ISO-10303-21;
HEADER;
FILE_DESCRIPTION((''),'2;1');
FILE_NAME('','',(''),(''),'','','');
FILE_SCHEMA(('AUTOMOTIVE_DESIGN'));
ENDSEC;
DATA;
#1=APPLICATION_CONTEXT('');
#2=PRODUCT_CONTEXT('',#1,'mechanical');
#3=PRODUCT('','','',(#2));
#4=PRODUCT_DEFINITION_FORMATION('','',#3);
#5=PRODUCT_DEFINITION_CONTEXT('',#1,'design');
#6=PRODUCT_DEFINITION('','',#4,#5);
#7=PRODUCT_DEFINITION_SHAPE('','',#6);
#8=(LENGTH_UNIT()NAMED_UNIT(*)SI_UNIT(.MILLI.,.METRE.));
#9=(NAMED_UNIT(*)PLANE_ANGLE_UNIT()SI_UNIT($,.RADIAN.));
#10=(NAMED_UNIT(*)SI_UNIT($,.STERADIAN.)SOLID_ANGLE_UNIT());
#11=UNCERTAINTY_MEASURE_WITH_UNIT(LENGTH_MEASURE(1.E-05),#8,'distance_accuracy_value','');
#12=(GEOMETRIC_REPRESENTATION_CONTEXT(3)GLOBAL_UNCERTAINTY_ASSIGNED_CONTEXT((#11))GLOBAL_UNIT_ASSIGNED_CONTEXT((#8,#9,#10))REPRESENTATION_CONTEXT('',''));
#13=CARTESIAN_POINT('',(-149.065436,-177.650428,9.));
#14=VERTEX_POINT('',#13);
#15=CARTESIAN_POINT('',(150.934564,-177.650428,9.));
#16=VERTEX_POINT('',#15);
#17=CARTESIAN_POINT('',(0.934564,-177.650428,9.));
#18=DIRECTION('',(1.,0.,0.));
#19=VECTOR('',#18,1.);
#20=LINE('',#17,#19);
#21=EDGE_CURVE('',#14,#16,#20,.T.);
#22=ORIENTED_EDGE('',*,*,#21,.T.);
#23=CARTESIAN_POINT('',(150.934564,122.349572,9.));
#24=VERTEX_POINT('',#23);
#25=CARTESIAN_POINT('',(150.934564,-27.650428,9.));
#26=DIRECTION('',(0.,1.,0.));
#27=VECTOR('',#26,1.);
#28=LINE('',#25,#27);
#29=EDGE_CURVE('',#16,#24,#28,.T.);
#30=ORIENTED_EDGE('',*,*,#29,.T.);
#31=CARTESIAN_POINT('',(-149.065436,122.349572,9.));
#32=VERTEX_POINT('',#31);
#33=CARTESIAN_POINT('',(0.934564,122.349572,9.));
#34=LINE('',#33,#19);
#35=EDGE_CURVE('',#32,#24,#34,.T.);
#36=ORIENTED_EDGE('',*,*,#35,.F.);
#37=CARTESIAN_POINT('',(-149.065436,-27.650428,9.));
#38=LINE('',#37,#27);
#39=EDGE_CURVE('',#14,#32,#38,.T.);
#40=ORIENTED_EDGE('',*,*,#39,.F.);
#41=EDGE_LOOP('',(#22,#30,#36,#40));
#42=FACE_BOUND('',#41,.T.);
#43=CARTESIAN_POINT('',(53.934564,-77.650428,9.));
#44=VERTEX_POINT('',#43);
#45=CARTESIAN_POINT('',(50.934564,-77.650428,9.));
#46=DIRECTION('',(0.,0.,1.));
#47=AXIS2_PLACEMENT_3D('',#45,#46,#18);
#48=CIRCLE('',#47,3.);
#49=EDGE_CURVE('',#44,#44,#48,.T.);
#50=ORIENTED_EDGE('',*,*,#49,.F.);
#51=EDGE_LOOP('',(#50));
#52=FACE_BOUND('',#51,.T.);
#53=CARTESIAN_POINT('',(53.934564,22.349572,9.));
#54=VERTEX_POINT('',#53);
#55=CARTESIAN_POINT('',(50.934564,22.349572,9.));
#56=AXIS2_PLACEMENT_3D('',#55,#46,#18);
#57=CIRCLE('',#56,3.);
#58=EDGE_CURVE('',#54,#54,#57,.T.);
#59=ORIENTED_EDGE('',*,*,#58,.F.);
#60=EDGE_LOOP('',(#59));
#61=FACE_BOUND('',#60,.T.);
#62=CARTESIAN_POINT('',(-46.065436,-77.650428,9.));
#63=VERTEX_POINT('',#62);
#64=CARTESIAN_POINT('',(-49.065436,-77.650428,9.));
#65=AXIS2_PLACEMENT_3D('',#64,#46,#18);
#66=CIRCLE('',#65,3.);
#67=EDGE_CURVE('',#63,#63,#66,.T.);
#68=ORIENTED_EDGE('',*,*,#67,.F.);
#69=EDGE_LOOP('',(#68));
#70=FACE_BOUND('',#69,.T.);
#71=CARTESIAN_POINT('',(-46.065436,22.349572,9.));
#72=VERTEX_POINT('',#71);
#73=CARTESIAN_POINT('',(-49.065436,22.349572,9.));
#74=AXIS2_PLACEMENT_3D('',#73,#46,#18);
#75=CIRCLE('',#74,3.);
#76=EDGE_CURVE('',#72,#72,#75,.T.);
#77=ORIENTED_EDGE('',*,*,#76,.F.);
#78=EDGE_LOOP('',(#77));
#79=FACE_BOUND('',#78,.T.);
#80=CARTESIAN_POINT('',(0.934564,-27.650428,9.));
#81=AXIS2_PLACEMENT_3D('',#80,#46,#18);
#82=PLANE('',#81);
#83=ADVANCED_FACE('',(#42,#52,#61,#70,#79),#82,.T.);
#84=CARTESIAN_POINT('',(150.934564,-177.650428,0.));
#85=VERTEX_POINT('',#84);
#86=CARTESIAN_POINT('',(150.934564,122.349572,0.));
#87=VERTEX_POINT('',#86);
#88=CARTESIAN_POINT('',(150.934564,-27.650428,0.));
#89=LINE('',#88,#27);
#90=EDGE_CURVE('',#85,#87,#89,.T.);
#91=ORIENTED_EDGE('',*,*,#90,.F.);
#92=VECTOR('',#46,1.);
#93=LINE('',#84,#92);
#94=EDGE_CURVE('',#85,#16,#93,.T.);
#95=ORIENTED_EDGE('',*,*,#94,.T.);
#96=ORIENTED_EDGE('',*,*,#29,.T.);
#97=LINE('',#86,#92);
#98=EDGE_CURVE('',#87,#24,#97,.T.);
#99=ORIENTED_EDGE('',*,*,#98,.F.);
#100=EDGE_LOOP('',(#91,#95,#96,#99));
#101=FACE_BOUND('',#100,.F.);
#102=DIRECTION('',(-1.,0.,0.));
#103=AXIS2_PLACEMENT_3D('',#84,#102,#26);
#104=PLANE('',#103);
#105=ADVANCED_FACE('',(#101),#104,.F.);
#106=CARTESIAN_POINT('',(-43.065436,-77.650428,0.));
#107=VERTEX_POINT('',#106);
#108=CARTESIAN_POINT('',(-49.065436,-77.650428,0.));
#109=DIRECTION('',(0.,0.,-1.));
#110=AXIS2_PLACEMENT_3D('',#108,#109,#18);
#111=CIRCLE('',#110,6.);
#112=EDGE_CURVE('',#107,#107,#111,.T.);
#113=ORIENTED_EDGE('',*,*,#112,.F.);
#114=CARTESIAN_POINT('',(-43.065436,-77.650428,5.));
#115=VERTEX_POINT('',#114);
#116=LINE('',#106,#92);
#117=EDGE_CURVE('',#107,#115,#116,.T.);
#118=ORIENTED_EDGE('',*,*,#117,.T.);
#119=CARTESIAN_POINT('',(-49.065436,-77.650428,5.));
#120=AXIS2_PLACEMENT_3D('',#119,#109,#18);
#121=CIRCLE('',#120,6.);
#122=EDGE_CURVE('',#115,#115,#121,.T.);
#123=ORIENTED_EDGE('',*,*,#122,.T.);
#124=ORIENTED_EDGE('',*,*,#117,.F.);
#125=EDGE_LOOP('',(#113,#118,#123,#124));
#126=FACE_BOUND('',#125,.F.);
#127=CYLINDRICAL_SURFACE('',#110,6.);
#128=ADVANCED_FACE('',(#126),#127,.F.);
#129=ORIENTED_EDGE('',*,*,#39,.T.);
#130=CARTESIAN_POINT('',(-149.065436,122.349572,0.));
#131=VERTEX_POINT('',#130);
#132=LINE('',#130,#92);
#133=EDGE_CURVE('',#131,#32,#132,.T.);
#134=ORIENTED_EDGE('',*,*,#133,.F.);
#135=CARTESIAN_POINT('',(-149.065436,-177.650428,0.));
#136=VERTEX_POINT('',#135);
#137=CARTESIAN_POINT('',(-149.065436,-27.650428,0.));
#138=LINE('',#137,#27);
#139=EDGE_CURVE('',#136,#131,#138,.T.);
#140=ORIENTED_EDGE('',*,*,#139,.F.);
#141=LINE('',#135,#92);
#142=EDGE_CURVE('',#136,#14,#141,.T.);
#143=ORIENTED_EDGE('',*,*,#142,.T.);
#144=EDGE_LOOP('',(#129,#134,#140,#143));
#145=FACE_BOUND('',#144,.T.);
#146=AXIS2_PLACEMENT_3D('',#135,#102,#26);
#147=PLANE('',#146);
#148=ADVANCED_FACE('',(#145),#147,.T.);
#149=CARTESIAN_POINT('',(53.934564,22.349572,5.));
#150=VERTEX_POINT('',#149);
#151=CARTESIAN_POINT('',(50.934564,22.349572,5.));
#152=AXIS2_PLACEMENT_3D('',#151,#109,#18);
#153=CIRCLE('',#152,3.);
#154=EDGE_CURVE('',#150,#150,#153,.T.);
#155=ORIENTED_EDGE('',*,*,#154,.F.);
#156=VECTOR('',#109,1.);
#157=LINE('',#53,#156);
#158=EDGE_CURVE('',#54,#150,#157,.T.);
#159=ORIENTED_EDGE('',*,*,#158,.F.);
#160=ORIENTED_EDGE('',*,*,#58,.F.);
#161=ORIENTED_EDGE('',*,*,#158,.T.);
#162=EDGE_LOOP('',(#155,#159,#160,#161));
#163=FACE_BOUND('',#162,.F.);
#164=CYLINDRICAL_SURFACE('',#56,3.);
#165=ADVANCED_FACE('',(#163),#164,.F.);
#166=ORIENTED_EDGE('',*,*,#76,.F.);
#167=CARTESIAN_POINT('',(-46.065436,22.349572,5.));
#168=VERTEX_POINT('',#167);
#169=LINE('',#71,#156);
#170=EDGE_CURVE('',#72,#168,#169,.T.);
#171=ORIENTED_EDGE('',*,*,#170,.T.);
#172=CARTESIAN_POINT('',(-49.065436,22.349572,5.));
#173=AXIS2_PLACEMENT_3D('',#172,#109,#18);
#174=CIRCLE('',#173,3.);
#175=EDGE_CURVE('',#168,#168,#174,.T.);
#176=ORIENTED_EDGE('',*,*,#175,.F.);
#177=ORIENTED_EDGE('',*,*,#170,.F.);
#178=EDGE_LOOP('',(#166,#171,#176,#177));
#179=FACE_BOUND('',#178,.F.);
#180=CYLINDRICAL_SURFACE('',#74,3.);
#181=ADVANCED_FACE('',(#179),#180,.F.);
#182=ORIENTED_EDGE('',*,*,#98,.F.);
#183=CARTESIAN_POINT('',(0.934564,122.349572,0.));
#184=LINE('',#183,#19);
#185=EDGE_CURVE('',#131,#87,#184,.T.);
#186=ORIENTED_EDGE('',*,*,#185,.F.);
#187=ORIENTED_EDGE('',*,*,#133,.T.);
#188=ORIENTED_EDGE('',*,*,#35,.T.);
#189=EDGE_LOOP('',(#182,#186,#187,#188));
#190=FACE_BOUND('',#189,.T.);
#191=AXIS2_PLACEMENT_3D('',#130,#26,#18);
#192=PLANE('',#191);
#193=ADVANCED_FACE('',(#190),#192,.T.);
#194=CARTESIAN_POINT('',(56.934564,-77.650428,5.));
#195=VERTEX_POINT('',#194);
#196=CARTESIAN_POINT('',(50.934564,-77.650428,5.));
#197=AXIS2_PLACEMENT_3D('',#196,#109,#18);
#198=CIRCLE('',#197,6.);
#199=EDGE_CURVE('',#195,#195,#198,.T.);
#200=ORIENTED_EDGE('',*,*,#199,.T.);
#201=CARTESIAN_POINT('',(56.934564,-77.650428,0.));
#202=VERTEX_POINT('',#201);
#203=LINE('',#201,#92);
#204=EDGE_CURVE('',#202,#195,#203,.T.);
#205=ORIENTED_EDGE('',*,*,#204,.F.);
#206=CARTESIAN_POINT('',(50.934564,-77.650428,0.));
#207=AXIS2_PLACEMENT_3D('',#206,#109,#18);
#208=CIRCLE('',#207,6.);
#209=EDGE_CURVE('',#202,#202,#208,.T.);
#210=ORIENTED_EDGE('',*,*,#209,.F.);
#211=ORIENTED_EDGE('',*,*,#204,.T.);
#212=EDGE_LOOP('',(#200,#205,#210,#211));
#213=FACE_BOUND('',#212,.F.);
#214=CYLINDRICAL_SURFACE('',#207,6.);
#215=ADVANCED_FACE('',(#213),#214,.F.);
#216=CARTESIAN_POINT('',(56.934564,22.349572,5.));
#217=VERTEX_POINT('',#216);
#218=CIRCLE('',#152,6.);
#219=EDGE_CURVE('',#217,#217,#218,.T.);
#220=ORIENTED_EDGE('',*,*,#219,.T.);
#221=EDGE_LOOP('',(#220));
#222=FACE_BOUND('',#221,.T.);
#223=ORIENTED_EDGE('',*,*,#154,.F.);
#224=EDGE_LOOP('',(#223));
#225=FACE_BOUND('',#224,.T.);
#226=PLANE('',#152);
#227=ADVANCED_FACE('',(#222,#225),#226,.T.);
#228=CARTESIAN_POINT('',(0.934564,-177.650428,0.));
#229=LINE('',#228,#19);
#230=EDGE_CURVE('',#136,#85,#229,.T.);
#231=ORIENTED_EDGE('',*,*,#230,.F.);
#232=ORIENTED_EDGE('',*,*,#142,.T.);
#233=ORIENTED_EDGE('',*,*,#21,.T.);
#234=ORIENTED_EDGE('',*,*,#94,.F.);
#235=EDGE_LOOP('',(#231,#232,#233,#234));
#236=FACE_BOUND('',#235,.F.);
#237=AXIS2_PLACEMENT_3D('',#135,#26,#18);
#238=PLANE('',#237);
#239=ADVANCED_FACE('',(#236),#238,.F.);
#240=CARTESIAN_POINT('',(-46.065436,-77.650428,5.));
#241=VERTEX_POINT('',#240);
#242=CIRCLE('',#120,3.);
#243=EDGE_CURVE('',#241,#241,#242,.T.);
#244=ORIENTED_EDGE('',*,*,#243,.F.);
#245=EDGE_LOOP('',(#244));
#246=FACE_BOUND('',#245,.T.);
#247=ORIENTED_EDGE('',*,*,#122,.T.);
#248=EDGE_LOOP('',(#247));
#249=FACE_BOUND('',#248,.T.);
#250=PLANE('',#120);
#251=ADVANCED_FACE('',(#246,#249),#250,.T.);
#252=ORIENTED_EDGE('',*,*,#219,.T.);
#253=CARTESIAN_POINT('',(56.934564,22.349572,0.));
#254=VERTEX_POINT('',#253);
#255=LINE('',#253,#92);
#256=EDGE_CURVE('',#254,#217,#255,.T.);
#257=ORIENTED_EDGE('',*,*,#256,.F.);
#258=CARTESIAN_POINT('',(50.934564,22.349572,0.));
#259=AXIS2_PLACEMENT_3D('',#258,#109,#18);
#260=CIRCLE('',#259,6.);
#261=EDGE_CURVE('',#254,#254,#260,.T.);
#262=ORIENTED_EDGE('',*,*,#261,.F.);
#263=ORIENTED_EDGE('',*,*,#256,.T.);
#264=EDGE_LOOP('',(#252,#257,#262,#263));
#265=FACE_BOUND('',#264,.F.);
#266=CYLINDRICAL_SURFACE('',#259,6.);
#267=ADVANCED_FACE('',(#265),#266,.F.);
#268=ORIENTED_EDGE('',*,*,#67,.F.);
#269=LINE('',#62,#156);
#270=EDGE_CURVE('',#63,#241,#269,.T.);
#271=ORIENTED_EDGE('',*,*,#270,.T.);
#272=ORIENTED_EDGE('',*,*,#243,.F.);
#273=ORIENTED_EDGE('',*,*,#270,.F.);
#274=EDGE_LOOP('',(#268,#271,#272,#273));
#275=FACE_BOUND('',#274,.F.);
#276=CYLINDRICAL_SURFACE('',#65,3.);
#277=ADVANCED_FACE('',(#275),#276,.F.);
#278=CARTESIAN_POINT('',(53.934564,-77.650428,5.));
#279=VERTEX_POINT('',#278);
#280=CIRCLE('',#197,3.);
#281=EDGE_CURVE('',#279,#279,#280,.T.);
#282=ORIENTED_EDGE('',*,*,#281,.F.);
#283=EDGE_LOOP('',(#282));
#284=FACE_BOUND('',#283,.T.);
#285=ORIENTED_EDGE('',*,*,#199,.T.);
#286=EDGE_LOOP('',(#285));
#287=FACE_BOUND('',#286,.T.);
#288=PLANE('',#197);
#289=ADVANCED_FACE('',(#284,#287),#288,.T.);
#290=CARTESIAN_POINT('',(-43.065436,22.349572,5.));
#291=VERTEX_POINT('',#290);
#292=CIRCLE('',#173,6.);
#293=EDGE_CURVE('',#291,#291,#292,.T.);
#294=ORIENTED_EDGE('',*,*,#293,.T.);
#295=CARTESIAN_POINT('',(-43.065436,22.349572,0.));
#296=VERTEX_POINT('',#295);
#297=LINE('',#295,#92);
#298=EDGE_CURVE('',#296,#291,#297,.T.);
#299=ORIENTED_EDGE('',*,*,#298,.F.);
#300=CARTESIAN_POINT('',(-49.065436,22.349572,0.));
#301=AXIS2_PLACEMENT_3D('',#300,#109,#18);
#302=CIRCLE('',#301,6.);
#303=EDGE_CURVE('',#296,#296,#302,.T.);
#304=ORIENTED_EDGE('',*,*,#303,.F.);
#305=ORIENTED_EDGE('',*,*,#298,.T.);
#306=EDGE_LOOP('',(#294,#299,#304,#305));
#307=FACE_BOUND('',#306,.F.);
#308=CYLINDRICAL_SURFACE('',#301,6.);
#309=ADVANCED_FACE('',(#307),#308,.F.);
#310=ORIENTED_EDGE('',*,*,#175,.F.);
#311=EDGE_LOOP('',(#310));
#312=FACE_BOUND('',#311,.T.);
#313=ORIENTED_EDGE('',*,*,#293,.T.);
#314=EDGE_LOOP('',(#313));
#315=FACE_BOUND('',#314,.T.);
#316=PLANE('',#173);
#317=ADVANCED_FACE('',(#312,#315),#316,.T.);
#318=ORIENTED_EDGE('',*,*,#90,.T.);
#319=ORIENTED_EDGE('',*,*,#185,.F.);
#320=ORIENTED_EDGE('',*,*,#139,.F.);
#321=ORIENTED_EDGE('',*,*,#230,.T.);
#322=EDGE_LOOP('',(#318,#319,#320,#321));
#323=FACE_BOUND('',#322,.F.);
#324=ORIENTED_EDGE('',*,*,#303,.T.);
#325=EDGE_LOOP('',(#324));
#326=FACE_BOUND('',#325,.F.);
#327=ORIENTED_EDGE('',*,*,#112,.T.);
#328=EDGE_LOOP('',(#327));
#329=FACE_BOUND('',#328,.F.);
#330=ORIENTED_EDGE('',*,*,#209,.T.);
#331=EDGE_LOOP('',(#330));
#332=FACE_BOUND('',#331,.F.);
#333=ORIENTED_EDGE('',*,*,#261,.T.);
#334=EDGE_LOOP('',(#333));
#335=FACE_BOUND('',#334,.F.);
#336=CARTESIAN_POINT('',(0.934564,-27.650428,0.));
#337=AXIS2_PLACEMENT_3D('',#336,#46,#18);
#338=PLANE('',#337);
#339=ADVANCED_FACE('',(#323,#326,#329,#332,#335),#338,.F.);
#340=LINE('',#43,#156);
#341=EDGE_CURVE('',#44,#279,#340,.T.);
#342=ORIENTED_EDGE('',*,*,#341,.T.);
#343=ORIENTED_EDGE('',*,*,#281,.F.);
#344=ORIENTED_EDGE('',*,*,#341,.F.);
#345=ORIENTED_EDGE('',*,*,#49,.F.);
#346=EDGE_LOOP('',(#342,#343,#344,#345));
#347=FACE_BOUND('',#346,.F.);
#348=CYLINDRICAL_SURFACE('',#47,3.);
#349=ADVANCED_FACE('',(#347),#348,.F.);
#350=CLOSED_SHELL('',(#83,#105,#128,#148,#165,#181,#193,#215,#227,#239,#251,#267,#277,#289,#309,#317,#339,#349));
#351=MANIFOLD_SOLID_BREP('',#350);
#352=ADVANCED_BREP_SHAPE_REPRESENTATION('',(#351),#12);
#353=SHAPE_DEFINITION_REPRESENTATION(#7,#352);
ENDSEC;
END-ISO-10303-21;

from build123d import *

# Parameters (mm, degrees)
F0_W     = 300
F0_H     = 300
F1_DEPTH = 9
F2_R     = 3
F3_DEPTH = 9.001
F4_R     = 6
F4_R_2   = 3
F5_DEPTH = 5


with BuildPart() as f1:
    # F0 (on Top) → F1 (new body)
    with BuildSketch(Plane.XY):
        with Locations((0.934564, -27.650428)):
            Rectangle(F0_W, F0_H)
    extrude(amount=F1_DEPTH)

    # F2 (on face) → F3 (cut, through all)
    with BuildSketch(Plane.XY.offset(9)):
        with Locations((-49.065436, 22.349572)):
            Circle(F2_R)
        with Locations((-49.065436, -77.650428)):
            Circle(F2_R)
        with Locations((50.934564, -77.650428)):
            Circle(F2_R)
        with Locations((50.934564, 22.349572)):
            Circle(F2_R)
    extrude(amount=-F3_DEPTH, mode=Mode.SUBTRACT)

    # F4 (on face) → F5 (cut)
    with BuildSketch(Plane(origin=(0, 0, 0), x_dir=(1, 0, 0), z_dir=(0, 0, -1))):
        with Locations((-49.065436, 77.650428)):
            Circle(F4_R)
        with Locations((-49.065436, 77.650428)):
            Circle(F4_R_2, mode=Mode.SUBTRACT)
        with Locations((50.934564, 77.650428)):
            Circle(F4_R)
        with Locations((50.934564, 77.650428)):
            Circle(F4_R_2, mode=Mode.SUBTRACT)
        with Locations((-49.065436, -22.349572)):
            Circle(F4_R)
        with Locations((-49.065436, -22.349572)):
            Circle(F4_R_2, mode=Mode.SUBTRACT)
        with Locations((50.934564, -22.349572)):
            Circle(F4_R)
        with Locations((50.934564, -22.349572)):
            Circle(F4_R_2, mode=Mode.SUBTRACT)
    extrude(amount=-F5_DEPTH, mode=Mode.SUBTRACT)


solid = f1.part
